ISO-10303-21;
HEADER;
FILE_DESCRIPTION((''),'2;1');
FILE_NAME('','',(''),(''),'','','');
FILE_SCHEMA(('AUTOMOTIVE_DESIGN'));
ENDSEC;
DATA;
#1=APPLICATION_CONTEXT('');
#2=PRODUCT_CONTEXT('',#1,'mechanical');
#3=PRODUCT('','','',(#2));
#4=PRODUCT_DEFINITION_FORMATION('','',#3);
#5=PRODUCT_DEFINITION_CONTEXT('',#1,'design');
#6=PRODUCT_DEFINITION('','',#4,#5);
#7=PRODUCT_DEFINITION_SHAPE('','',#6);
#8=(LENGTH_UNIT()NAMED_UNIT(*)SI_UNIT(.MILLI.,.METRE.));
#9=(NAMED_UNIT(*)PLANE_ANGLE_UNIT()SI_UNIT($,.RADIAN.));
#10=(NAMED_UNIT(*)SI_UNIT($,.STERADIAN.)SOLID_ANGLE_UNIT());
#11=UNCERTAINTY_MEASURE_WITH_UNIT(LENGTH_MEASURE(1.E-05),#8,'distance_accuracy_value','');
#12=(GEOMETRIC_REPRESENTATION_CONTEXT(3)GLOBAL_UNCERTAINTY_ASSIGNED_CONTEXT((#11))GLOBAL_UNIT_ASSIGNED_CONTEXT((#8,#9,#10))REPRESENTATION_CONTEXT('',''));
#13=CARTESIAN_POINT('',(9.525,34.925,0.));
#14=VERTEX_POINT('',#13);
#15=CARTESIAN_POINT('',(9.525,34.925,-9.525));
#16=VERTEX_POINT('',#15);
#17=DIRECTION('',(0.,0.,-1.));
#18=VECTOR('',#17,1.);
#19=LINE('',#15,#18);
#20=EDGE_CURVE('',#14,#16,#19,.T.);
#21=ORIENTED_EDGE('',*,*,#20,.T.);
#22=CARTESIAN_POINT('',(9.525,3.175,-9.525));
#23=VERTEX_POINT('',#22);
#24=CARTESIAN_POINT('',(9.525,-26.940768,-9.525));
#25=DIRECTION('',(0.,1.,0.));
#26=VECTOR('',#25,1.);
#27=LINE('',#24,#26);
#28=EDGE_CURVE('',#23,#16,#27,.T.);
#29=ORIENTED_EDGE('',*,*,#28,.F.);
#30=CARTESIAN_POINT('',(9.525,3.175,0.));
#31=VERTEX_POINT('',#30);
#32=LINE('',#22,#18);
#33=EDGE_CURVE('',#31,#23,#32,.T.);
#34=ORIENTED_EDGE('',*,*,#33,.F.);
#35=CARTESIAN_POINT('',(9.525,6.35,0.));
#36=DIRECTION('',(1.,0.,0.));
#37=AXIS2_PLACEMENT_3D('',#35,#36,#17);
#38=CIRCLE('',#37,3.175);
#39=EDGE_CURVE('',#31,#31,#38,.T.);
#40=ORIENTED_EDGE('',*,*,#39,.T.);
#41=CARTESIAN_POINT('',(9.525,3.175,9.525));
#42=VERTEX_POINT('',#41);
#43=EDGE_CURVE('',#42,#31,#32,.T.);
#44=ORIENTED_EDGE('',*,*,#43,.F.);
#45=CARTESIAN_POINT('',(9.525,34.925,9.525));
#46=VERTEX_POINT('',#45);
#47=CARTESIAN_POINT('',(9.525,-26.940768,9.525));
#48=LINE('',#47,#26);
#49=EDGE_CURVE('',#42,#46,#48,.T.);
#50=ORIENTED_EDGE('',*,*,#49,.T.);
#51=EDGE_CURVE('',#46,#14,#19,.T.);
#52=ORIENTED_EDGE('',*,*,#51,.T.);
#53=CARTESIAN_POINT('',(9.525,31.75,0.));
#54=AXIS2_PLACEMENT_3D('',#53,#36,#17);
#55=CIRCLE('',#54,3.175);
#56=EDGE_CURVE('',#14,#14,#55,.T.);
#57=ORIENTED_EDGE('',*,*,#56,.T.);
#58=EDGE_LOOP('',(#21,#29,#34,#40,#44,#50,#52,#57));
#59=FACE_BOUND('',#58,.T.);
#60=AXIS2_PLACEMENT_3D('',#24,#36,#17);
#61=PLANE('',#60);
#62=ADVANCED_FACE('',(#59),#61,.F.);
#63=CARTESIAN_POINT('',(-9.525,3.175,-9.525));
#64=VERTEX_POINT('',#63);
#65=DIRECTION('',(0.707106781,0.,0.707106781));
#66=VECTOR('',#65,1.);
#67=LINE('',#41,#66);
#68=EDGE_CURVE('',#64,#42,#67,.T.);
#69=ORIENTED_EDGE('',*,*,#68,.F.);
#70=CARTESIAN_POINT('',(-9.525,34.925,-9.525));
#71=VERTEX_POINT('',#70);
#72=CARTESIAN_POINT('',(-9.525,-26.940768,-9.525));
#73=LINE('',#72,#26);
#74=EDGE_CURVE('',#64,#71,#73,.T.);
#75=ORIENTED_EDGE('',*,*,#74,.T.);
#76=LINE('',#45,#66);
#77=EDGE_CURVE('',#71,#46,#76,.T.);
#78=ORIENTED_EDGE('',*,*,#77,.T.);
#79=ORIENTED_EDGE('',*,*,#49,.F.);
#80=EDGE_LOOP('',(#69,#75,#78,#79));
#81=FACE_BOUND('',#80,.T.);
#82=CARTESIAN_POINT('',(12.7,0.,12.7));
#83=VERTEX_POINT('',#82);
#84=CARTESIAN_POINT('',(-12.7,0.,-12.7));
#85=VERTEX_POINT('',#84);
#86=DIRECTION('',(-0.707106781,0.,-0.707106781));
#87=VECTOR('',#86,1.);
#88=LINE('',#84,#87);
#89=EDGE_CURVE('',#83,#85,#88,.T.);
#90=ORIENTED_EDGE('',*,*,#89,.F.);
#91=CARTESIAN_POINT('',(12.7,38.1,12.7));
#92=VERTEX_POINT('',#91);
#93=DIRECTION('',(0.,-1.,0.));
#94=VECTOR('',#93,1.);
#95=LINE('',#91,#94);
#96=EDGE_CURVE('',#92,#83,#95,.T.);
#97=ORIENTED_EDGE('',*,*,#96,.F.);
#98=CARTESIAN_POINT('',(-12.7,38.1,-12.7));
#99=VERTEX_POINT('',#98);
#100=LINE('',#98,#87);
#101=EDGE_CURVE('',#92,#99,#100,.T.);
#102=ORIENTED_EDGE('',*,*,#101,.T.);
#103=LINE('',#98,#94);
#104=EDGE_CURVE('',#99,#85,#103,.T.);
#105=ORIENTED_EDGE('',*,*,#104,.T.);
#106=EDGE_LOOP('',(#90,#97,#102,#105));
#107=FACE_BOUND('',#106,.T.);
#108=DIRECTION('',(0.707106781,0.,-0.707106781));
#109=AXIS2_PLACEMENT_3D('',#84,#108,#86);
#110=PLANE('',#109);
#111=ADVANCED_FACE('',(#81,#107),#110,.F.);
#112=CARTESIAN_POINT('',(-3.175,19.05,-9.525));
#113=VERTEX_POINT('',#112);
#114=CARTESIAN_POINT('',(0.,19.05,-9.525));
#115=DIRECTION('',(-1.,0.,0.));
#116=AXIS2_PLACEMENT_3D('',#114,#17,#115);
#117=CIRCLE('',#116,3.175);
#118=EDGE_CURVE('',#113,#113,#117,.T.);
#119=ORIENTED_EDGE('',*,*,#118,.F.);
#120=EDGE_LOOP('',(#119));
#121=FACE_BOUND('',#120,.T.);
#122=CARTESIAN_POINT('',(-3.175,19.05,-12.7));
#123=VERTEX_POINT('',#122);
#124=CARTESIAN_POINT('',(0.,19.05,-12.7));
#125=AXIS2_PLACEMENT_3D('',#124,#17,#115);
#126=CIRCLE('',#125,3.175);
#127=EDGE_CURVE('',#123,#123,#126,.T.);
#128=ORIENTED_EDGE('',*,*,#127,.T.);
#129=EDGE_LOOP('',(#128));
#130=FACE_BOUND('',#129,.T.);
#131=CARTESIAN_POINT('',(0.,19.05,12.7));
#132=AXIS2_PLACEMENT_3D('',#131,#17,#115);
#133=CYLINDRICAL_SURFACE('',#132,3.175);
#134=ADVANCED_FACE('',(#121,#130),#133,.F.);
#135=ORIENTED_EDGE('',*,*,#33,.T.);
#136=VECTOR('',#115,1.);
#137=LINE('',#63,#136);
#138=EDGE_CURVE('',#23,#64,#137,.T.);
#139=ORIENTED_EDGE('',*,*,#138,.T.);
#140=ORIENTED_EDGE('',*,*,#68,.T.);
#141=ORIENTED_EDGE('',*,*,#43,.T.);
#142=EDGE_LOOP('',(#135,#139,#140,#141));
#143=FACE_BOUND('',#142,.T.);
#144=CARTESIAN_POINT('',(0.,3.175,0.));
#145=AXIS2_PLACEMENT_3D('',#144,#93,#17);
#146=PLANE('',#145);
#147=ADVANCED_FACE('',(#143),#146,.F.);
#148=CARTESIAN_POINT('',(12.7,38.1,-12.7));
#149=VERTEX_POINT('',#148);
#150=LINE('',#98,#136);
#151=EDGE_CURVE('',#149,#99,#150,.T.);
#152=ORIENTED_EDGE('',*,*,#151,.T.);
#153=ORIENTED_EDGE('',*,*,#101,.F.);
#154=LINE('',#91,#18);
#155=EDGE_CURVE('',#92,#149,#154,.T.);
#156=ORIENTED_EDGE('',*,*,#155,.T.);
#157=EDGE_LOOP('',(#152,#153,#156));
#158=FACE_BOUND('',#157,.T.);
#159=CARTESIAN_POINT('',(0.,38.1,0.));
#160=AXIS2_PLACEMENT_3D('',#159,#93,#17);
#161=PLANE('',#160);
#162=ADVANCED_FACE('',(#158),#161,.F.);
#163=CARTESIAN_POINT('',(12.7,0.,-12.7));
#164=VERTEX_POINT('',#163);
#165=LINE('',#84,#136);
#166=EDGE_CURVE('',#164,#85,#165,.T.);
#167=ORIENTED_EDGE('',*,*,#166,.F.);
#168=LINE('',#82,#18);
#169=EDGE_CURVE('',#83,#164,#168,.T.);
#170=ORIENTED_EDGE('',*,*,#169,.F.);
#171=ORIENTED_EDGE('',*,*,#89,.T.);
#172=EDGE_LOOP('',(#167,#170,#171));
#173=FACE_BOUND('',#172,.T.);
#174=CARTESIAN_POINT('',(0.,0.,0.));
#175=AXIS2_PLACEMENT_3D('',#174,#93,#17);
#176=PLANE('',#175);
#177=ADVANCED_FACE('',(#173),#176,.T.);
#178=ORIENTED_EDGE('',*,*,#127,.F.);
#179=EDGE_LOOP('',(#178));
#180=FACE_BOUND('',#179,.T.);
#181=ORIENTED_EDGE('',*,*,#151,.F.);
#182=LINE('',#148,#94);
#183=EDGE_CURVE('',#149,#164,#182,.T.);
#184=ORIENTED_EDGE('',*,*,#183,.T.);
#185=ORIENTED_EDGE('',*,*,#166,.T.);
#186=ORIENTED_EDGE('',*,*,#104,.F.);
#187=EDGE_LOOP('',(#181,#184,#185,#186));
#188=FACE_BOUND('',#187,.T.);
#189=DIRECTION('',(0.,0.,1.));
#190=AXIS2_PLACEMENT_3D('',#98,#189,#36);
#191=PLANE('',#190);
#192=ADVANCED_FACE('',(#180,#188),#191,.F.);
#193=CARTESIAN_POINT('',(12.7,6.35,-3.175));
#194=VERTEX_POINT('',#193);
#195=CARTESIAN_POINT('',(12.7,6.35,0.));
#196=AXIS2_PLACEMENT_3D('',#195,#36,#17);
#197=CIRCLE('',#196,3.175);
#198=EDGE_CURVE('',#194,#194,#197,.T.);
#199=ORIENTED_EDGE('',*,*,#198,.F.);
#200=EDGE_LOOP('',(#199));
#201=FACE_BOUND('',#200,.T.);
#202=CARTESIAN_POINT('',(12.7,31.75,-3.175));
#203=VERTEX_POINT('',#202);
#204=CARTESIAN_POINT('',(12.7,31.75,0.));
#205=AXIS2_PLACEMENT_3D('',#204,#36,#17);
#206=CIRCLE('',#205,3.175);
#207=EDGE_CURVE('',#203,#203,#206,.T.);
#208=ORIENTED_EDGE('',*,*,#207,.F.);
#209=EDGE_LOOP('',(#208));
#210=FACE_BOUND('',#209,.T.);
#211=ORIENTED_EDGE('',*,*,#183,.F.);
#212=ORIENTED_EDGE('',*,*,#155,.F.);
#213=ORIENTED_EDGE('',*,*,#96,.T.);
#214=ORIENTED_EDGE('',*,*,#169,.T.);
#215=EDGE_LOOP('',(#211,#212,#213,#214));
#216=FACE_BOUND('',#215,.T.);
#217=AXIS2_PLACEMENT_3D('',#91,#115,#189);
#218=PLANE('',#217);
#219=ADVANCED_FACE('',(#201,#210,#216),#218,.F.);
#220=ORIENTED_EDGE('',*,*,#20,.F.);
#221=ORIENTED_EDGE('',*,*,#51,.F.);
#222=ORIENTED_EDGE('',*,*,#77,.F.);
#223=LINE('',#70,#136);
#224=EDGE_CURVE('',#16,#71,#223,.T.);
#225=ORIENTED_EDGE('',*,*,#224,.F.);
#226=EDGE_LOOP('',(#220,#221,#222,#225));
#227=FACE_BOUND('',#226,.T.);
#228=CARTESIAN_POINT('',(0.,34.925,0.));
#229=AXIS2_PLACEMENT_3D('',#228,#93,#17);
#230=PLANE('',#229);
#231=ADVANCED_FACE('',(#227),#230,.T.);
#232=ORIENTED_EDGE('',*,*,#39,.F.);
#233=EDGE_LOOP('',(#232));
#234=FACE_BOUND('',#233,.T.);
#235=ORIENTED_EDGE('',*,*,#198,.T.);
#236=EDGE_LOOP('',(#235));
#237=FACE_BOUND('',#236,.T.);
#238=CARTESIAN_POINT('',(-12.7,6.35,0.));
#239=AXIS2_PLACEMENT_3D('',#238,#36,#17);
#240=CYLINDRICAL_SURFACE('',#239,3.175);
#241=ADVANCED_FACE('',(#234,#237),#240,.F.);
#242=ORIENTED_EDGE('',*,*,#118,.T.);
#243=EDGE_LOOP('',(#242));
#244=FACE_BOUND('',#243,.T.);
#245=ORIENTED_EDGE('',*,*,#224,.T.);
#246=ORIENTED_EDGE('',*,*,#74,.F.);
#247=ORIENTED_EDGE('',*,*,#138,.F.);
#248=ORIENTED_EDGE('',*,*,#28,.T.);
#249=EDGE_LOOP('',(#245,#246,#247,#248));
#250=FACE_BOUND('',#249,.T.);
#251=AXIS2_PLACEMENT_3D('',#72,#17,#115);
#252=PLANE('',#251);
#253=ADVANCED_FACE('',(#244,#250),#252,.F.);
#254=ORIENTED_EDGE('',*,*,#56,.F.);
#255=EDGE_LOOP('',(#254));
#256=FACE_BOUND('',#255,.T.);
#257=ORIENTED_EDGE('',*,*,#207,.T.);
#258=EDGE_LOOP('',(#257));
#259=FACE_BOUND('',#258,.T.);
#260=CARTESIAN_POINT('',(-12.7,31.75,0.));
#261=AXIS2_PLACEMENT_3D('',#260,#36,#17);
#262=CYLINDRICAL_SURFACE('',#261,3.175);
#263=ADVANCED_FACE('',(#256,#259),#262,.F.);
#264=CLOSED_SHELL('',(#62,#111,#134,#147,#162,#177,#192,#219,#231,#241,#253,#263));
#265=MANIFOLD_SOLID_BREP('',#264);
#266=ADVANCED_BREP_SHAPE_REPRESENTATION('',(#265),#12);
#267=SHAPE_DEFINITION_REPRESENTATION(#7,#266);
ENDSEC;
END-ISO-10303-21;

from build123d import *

# Parameters (mm, degrees)
SKETCH1_W           = 25.4
SKETCH1_H           = 25.4
BOSS_EXTRUDE1_DEPTH = 38.1
CUT_EXTRUDE1_DEPTH  = 43.121134838
CUT_EXTRUDE2_START  = -3.175
CUT_EXTRUDE2_DEPTH  = 31.75
SKETCH4_R           = 3.175
CUT_EXTRUDE3_DEPTH  = 48.519048812
SKETCH5_R           = 3.175
CUT_EXTRUDE5_DEPTH  = 48.519048812


with BuildPart() as part:
    # Sketch1 → Boss-Extrude1 (new body)
    with BuildSketch(Plane(origin=(0, 0, 0), x_dir=(1, 0, 0), z_dir=(0, 1, 0))):
        Rectangle(SKETCH1_W, SKETCH1_H)
    extrude(amount=BOSS_EXTRUDE1_DEPTH)

    # Sketch2 → Cut-Extrude1 (cut, through all)
    with BuildSketch(Plane(origin=(0, 38.1, 0), x_dir=(1, 0, 0), z_dir=(0, 1, 0))):
        Polygon((-12.7, 12.7), (12.7, -12.7), (-12.7, -12.7), align=None)
    extrude(amount=-CUT_EXTRUDE1_DEPTH, mode=Mode.SUBTRACT)

    # Sketch3 → Cut-Extrude2 (cut)
    with BuildSketch(Plane(origin=(0, 38.1, 0), x_dir=(1, 0, 0), z_dir=(0, 1, 0)).offset(CUT_EXTRUDE2_START)):
        Polygon((-9.525, 9.525), (9.525, 9.525), (9.525, -9.525), align=None)
    extrude(amount=-CUT_EXTRUDE2_DEPTH, mode=Mode.SUBTRACT)

    # Sketch4 → Cut-Extrude3 (cut, through all)
    with BuildSketch(Plane(origin=(0, 0, -12.7), x_dir=(-1, 0, 0), z_dir=(0, 0, -1))):
        with Locations((0, 19.05)):
            Circle(SKETCH4_R)
    extrude(amount=-CUT_EXTRUDE3_DEPTH, mode=Mode.SUBTRACT)

    # Sketch5 → Cut-Extrude5 (cut, through all)
    with BuildSketch(Plane(origin=(12.7, 0, 0), x_dir=(0, 0, -1), z_dir=(1, 0, 0))):
        with Locations((0, 31.75)):
            Circle(SKETCH5_R)
        with Locations((0, 6.35)):
            Circle(SKETCH5_R)
    extrude(amount=-CUT_EXTRUDE5_DEPTH, mode=Mode.SUBTRACT)


solid = part.part
